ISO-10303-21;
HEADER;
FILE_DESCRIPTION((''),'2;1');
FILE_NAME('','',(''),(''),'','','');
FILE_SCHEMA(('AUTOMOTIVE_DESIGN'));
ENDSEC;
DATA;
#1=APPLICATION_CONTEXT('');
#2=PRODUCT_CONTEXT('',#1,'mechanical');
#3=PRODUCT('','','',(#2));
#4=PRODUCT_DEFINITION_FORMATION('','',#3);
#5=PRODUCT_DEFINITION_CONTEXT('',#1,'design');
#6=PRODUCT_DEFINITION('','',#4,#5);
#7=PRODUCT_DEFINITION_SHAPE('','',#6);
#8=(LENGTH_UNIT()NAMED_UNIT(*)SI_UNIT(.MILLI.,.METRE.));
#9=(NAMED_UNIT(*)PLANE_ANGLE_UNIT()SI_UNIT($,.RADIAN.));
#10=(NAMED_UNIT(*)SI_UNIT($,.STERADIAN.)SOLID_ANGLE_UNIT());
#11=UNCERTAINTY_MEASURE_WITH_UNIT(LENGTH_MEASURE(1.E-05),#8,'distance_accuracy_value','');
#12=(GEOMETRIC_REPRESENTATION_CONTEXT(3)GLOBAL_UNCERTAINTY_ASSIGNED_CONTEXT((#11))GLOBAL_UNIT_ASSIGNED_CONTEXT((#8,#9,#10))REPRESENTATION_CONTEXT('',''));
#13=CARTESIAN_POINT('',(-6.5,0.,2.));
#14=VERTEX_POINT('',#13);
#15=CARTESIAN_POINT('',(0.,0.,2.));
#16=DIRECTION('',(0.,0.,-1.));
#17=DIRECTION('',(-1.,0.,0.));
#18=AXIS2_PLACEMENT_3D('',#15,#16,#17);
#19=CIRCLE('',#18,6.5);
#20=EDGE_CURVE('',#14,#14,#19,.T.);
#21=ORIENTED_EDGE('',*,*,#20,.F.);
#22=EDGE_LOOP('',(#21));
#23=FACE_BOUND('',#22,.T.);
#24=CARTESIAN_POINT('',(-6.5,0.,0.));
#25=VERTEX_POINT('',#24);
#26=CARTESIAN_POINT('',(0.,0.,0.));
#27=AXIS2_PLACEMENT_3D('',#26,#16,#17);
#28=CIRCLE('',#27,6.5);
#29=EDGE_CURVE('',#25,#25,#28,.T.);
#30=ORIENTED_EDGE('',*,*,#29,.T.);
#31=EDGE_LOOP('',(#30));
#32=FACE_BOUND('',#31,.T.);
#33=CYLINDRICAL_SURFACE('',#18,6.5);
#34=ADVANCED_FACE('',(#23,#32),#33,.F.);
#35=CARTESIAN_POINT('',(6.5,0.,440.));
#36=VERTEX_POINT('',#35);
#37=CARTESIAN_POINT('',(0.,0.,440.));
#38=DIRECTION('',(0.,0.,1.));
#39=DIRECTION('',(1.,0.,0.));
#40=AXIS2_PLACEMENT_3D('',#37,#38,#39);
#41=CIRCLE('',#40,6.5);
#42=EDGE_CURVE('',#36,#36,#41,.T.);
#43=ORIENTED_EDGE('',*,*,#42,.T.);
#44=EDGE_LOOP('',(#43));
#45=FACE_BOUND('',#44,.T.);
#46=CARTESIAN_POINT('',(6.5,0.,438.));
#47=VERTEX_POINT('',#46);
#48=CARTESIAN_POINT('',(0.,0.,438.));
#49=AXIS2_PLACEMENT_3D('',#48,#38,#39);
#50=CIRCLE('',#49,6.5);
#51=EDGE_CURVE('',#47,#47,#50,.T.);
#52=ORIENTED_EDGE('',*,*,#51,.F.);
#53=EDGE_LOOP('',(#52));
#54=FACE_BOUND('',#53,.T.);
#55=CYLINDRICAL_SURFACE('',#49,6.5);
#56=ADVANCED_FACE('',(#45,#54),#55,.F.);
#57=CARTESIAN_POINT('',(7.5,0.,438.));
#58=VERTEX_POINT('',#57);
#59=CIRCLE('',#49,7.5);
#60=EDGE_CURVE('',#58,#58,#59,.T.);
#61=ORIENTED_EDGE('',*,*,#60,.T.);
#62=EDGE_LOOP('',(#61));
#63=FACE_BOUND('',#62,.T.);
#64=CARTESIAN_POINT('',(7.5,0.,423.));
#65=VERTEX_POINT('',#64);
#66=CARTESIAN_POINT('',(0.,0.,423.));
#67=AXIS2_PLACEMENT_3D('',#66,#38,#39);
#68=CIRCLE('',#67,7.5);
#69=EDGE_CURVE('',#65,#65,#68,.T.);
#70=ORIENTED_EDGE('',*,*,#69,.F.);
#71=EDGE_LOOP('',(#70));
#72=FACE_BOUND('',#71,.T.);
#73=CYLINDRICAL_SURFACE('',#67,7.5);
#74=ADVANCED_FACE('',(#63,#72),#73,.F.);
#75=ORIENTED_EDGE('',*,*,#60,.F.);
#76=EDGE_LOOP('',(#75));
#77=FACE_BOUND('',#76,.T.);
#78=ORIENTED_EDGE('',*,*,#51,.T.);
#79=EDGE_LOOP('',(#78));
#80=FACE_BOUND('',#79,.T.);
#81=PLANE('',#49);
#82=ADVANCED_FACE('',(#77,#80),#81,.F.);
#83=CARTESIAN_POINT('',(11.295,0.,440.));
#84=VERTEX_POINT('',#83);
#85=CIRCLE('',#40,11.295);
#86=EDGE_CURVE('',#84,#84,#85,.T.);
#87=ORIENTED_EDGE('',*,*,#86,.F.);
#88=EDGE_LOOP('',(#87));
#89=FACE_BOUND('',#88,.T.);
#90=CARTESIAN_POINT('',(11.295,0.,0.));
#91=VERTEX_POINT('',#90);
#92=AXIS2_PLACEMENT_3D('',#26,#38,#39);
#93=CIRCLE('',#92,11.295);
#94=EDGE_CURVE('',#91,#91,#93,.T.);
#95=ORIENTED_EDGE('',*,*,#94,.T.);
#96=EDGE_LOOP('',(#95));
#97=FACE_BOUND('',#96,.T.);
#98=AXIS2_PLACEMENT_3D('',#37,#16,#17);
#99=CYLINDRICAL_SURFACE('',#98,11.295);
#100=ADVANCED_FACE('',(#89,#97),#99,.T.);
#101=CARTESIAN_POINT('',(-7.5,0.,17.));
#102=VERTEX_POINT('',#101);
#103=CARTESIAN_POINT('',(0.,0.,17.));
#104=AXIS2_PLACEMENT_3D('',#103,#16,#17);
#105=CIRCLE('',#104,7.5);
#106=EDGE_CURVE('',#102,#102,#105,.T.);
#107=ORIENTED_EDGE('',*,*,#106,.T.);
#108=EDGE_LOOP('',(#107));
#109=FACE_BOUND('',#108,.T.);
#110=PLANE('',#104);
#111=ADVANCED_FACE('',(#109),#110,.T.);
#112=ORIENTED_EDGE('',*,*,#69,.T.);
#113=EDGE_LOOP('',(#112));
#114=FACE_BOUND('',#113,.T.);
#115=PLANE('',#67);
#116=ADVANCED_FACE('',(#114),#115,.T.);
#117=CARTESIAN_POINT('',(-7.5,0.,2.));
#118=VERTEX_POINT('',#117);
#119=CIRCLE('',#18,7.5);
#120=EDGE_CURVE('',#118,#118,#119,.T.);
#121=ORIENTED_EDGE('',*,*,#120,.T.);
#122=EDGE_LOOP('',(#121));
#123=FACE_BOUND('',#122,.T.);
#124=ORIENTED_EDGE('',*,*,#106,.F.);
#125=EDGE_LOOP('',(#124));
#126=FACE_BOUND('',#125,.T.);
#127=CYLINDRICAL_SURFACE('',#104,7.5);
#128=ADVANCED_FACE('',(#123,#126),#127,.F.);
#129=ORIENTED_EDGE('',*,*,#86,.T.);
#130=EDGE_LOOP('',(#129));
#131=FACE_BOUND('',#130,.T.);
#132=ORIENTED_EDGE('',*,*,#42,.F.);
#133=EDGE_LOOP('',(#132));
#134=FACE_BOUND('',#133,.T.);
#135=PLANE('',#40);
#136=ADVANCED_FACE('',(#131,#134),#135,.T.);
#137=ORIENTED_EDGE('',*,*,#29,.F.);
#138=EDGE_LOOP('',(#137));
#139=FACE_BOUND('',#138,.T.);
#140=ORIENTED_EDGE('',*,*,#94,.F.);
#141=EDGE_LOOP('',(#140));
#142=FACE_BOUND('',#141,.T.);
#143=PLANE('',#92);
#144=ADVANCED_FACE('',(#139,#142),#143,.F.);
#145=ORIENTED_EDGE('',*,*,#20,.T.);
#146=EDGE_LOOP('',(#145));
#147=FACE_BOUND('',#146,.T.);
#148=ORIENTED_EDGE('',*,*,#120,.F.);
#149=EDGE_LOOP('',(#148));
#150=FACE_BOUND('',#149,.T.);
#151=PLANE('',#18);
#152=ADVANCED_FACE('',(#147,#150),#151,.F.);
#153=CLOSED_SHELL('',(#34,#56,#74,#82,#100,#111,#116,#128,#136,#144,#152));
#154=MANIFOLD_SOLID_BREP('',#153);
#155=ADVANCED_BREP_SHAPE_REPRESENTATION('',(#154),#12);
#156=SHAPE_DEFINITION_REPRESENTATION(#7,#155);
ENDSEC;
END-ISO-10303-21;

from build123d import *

# Parameters (mm, degrees)
SKETCH1_R           = 11.295
BOSS_EXTRUDE1_DEPTH = 440
SKETCH4_R           = 6.5
CUT_EXTRUDE4_DEPTH  = 2
SKETCH5_R           = 7.5
CUT_EXTRUDE5_DEPTH  = 15
SKETCH6_R           = 6.5
CUT_EXTRUDE7_DEPTH  = 2
SKETCH8_R           = 7.5
CUT_EXTRUDE8_DEPTH  = 15


with BuildPart() as part:
    # Sketch1 → Boss-Extrude1 (new body)
    with BuildSketch(Plane.XY):
        Circle(SKETCH1_R)
    extrude(amount=BOSS_EXTRUDE1_DEPTH)

    # Sketch4 → Cut-Extrude4 (cut)
    with BuildSketch(Plane(origin=(0, 0, 0), x_dir=(-1, 0, 0), z_dir=(0, 0, -1))):
        Circle(SKETCH4_R)
    extrude(amount=-CUT_EXTRUDE4_DEPTH, mode=Mode.SUBTRACT)

    # Sketch5 → Cut-Extrude5 (cut)
    with BuildSketch(Plane(origin=(0, 0, 2), x_dir=(-1, 0, 0), z_dir=(0, 0, -1))):
        Circle(SKETCH5_R)
    extrude(amount=-CUT_EXTRUDE5_DEPTH, mode=Mode.SUBTRACT)

    # Sketch6 → Cut-Extrude7 (cut)
    with BuildSketch(Plane.XY.offset(440)):
        Circle(SKETCH6_R)
    extrude(amount=-CUT_EXTRUDE7_DEPTH, mode=Mode.SUBTRACT)

    # Sketch8 → Cut-Extrude8 (cut)
    with BuildSketch(Plane.XY.offset(438)):
        Circle(SKETCH8_R)
    extrude(amount=-CUT_EXTRUDE8_DEPTH, mode=Mode.SUBTRACT)


solid = part.part
